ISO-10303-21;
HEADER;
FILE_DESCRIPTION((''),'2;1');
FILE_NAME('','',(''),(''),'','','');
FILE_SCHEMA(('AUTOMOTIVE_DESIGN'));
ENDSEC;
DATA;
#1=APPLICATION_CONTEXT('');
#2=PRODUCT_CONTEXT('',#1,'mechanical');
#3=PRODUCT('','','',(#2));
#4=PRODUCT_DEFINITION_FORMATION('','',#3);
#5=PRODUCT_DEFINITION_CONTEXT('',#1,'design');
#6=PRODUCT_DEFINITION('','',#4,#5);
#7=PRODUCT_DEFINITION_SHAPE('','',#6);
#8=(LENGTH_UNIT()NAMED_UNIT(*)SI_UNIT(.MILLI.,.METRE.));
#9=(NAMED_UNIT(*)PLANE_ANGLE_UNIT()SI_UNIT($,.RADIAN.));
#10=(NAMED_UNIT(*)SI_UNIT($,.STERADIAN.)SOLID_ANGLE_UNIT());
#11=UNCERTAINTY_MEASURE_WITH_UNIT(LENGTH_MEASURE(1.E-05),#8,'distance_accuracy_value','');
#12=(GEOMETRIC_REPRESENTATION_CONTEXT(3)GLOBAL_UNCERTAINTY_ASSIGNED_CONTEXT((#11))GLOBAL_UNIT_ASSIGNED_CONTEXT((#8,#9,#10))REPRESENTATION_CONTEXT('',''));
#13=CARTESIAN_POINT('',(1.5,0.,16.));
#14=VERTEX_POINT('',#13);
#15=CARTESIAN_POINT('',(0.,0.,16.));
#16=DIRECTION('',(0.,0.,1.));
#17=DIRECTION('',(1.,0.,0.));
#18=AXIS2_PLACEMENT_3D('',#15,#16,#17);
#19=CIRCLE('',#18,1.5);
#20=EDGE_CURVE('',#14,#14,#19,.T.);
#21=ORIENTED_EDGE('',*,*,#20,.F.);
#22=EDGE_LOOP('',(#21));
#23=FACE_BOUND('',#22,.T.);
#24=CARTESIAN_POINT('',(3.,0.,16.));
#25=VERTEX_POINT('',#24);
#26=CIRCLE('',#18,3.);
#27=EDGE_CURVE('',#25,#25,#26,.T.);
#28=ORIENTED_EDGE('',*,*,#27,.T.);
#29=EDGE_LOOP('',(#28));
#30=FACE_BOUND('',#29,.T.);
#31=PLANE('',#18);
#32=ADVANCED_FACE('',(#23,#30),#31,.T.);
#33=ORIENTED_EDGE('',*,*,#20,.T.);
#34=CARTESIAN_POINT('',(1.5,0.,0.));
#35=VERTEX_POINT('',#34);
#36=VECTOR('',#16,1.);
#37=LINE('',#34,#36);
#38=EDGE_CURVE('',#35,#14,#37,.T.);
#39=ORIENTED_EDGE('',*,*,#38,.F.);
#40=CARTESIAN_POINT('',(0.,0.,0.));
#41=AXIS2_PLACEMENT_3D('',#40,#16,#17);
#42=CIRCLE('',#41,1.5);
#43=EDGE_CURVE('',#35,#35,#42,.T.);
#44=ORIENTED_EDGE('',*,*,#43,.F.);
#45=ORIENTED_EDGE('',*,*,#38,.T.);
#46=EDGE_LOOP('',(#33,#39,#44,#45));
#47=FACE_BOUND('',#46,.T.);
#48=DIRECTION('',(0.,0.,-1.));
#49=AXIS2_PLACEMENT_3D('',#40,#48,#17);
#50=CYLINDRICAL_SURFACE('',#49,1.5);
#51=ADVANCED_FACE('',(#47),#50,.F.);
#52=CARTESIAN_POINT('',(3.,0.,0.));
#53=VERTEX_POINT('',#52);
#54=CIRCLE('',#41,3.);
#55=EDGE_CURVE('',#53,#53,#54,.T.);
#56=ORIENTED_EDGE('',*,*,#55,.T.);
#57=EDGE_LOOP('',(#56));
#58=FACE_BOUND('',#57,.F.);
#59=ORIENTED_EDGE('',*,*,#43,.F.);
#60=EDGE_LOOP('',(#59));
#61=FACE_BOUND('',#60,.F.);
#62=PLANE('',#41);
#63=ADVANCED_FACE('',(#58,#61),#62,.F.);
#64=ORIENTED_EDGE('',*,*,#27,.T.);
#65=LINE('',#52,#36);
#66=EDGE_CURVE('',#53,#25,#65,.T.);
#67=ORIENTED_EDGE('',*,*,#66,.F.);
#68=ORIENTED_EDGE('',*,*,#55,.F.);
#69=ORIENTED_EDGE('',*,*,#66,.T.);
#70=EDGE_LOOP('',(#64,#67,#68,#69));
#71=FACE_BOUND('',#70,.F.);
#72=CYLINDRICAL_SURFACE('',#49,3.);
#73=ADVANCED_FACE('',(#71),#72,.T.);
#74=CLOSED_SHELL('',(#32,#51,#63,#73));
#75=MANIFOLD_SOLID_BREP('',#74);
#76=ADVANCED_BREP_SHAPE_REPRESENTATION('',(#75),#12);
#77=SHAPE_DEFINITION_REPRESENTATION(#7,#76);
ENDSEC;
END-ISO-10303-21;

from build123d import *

# Parameters (mm, degrees)
ESQUISSE1_R   = 3
ESQUISSE1_R_2 = 1.5
MAIN_DEPTH    = 16


with BuildPart() as part:
    # Esquisse1 → Main (new body)
    with BuildSketch(Plane.XY):
        Circle(ESQUISSE1_R)
        Circle(ESQUISSE1_R_2, mode=Mode.SUBTRACT)
    extrude(amount=MAIN_DEPTH)


solid = part.part
